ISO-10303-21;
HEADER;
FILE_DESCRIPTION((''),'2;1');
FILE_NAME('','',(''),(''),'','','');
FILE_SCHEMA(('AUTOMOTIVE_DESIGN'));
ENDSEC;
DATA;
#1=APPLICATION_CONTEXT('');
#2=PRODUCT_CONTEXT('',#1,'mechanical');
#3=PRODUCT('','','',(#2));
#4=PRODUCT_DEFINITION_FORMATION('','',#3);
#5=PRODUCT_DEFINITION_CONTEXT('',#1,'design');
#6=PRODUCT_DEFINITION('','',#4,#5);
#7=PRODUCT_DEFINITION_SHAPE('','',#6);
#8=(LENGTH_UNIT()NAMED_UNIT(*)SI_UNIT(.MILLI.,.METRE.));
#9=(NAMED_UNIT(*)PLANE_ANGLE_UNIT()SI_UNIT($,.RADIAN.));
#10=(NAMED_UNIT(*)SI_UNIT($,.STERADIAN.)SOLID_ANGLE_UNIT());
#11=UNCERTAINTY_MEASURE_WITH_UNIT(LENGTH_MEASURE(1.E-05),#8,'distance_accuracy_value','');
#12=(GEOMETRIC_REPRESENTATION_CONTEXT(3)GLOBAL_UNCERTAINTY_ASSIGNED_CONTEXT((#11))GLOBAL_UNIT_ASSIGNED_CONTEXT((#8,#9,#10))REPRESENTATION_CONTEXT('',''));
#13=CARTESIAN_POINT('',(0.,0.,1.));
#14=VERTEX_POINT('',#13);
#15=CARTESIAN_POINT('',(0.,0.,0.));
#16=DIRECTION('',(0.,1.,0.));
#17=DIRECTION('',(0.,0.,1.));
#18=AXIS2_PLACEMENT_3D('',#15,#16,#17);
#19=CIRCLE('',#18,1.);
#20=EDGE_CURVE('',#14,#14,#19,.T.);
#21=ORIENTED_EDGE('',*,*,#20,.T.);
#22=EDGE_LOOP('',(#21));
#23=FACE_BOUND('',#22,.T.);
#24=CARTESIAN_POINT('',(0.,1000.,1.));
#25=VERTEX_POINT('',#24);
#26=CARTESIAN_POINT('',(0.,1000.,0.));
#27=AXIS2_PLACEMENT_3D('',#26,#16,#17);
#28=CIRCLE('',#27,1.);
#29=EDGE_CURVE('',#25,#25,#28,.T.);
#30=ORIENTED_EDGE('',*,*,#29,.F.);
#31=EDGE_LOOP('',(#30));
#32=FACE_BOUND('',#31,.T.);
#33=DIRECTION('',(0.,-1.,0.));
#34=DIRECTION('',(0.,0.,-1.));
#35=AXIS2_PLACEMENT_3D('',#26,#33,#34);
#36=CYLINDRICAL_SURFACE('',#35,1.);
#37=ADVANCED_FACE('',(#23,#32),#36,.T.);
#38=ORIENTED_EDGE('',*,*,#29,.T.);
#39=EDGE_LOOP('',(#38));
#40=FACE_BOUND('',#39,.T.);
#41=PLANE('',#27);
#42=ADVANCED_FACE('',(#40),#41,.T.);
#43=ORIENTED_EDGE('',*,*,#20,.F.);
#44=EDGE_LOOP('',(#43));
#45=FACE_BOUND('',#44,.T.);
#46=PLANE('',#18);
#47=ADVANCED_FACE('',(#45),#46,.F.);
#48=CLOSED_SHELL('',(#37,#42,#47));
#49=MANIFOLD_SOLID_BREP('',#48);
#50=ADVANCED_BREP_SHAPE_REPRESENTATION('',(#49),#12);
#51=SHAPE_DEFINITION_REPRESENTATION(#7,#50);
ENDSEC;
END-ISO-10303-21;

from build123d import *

# Parameters (mm, degrees)
SKETCH_1_R      = 1
EXTRUDE_1_DEPTH = 1000


with BuildPart() as part:
    # 草图1 → 凸台-拉伸1 (new body)
    with BuildSketch(Plane(origin=(0, 0, 0), x_dir=(1, 0, 0), z_dir=(0, 1, 0))):
        Circle(SKETCH_1_R)
    extrude(amount=EXTRUDE_1_DEPTH)


solid = part.part
